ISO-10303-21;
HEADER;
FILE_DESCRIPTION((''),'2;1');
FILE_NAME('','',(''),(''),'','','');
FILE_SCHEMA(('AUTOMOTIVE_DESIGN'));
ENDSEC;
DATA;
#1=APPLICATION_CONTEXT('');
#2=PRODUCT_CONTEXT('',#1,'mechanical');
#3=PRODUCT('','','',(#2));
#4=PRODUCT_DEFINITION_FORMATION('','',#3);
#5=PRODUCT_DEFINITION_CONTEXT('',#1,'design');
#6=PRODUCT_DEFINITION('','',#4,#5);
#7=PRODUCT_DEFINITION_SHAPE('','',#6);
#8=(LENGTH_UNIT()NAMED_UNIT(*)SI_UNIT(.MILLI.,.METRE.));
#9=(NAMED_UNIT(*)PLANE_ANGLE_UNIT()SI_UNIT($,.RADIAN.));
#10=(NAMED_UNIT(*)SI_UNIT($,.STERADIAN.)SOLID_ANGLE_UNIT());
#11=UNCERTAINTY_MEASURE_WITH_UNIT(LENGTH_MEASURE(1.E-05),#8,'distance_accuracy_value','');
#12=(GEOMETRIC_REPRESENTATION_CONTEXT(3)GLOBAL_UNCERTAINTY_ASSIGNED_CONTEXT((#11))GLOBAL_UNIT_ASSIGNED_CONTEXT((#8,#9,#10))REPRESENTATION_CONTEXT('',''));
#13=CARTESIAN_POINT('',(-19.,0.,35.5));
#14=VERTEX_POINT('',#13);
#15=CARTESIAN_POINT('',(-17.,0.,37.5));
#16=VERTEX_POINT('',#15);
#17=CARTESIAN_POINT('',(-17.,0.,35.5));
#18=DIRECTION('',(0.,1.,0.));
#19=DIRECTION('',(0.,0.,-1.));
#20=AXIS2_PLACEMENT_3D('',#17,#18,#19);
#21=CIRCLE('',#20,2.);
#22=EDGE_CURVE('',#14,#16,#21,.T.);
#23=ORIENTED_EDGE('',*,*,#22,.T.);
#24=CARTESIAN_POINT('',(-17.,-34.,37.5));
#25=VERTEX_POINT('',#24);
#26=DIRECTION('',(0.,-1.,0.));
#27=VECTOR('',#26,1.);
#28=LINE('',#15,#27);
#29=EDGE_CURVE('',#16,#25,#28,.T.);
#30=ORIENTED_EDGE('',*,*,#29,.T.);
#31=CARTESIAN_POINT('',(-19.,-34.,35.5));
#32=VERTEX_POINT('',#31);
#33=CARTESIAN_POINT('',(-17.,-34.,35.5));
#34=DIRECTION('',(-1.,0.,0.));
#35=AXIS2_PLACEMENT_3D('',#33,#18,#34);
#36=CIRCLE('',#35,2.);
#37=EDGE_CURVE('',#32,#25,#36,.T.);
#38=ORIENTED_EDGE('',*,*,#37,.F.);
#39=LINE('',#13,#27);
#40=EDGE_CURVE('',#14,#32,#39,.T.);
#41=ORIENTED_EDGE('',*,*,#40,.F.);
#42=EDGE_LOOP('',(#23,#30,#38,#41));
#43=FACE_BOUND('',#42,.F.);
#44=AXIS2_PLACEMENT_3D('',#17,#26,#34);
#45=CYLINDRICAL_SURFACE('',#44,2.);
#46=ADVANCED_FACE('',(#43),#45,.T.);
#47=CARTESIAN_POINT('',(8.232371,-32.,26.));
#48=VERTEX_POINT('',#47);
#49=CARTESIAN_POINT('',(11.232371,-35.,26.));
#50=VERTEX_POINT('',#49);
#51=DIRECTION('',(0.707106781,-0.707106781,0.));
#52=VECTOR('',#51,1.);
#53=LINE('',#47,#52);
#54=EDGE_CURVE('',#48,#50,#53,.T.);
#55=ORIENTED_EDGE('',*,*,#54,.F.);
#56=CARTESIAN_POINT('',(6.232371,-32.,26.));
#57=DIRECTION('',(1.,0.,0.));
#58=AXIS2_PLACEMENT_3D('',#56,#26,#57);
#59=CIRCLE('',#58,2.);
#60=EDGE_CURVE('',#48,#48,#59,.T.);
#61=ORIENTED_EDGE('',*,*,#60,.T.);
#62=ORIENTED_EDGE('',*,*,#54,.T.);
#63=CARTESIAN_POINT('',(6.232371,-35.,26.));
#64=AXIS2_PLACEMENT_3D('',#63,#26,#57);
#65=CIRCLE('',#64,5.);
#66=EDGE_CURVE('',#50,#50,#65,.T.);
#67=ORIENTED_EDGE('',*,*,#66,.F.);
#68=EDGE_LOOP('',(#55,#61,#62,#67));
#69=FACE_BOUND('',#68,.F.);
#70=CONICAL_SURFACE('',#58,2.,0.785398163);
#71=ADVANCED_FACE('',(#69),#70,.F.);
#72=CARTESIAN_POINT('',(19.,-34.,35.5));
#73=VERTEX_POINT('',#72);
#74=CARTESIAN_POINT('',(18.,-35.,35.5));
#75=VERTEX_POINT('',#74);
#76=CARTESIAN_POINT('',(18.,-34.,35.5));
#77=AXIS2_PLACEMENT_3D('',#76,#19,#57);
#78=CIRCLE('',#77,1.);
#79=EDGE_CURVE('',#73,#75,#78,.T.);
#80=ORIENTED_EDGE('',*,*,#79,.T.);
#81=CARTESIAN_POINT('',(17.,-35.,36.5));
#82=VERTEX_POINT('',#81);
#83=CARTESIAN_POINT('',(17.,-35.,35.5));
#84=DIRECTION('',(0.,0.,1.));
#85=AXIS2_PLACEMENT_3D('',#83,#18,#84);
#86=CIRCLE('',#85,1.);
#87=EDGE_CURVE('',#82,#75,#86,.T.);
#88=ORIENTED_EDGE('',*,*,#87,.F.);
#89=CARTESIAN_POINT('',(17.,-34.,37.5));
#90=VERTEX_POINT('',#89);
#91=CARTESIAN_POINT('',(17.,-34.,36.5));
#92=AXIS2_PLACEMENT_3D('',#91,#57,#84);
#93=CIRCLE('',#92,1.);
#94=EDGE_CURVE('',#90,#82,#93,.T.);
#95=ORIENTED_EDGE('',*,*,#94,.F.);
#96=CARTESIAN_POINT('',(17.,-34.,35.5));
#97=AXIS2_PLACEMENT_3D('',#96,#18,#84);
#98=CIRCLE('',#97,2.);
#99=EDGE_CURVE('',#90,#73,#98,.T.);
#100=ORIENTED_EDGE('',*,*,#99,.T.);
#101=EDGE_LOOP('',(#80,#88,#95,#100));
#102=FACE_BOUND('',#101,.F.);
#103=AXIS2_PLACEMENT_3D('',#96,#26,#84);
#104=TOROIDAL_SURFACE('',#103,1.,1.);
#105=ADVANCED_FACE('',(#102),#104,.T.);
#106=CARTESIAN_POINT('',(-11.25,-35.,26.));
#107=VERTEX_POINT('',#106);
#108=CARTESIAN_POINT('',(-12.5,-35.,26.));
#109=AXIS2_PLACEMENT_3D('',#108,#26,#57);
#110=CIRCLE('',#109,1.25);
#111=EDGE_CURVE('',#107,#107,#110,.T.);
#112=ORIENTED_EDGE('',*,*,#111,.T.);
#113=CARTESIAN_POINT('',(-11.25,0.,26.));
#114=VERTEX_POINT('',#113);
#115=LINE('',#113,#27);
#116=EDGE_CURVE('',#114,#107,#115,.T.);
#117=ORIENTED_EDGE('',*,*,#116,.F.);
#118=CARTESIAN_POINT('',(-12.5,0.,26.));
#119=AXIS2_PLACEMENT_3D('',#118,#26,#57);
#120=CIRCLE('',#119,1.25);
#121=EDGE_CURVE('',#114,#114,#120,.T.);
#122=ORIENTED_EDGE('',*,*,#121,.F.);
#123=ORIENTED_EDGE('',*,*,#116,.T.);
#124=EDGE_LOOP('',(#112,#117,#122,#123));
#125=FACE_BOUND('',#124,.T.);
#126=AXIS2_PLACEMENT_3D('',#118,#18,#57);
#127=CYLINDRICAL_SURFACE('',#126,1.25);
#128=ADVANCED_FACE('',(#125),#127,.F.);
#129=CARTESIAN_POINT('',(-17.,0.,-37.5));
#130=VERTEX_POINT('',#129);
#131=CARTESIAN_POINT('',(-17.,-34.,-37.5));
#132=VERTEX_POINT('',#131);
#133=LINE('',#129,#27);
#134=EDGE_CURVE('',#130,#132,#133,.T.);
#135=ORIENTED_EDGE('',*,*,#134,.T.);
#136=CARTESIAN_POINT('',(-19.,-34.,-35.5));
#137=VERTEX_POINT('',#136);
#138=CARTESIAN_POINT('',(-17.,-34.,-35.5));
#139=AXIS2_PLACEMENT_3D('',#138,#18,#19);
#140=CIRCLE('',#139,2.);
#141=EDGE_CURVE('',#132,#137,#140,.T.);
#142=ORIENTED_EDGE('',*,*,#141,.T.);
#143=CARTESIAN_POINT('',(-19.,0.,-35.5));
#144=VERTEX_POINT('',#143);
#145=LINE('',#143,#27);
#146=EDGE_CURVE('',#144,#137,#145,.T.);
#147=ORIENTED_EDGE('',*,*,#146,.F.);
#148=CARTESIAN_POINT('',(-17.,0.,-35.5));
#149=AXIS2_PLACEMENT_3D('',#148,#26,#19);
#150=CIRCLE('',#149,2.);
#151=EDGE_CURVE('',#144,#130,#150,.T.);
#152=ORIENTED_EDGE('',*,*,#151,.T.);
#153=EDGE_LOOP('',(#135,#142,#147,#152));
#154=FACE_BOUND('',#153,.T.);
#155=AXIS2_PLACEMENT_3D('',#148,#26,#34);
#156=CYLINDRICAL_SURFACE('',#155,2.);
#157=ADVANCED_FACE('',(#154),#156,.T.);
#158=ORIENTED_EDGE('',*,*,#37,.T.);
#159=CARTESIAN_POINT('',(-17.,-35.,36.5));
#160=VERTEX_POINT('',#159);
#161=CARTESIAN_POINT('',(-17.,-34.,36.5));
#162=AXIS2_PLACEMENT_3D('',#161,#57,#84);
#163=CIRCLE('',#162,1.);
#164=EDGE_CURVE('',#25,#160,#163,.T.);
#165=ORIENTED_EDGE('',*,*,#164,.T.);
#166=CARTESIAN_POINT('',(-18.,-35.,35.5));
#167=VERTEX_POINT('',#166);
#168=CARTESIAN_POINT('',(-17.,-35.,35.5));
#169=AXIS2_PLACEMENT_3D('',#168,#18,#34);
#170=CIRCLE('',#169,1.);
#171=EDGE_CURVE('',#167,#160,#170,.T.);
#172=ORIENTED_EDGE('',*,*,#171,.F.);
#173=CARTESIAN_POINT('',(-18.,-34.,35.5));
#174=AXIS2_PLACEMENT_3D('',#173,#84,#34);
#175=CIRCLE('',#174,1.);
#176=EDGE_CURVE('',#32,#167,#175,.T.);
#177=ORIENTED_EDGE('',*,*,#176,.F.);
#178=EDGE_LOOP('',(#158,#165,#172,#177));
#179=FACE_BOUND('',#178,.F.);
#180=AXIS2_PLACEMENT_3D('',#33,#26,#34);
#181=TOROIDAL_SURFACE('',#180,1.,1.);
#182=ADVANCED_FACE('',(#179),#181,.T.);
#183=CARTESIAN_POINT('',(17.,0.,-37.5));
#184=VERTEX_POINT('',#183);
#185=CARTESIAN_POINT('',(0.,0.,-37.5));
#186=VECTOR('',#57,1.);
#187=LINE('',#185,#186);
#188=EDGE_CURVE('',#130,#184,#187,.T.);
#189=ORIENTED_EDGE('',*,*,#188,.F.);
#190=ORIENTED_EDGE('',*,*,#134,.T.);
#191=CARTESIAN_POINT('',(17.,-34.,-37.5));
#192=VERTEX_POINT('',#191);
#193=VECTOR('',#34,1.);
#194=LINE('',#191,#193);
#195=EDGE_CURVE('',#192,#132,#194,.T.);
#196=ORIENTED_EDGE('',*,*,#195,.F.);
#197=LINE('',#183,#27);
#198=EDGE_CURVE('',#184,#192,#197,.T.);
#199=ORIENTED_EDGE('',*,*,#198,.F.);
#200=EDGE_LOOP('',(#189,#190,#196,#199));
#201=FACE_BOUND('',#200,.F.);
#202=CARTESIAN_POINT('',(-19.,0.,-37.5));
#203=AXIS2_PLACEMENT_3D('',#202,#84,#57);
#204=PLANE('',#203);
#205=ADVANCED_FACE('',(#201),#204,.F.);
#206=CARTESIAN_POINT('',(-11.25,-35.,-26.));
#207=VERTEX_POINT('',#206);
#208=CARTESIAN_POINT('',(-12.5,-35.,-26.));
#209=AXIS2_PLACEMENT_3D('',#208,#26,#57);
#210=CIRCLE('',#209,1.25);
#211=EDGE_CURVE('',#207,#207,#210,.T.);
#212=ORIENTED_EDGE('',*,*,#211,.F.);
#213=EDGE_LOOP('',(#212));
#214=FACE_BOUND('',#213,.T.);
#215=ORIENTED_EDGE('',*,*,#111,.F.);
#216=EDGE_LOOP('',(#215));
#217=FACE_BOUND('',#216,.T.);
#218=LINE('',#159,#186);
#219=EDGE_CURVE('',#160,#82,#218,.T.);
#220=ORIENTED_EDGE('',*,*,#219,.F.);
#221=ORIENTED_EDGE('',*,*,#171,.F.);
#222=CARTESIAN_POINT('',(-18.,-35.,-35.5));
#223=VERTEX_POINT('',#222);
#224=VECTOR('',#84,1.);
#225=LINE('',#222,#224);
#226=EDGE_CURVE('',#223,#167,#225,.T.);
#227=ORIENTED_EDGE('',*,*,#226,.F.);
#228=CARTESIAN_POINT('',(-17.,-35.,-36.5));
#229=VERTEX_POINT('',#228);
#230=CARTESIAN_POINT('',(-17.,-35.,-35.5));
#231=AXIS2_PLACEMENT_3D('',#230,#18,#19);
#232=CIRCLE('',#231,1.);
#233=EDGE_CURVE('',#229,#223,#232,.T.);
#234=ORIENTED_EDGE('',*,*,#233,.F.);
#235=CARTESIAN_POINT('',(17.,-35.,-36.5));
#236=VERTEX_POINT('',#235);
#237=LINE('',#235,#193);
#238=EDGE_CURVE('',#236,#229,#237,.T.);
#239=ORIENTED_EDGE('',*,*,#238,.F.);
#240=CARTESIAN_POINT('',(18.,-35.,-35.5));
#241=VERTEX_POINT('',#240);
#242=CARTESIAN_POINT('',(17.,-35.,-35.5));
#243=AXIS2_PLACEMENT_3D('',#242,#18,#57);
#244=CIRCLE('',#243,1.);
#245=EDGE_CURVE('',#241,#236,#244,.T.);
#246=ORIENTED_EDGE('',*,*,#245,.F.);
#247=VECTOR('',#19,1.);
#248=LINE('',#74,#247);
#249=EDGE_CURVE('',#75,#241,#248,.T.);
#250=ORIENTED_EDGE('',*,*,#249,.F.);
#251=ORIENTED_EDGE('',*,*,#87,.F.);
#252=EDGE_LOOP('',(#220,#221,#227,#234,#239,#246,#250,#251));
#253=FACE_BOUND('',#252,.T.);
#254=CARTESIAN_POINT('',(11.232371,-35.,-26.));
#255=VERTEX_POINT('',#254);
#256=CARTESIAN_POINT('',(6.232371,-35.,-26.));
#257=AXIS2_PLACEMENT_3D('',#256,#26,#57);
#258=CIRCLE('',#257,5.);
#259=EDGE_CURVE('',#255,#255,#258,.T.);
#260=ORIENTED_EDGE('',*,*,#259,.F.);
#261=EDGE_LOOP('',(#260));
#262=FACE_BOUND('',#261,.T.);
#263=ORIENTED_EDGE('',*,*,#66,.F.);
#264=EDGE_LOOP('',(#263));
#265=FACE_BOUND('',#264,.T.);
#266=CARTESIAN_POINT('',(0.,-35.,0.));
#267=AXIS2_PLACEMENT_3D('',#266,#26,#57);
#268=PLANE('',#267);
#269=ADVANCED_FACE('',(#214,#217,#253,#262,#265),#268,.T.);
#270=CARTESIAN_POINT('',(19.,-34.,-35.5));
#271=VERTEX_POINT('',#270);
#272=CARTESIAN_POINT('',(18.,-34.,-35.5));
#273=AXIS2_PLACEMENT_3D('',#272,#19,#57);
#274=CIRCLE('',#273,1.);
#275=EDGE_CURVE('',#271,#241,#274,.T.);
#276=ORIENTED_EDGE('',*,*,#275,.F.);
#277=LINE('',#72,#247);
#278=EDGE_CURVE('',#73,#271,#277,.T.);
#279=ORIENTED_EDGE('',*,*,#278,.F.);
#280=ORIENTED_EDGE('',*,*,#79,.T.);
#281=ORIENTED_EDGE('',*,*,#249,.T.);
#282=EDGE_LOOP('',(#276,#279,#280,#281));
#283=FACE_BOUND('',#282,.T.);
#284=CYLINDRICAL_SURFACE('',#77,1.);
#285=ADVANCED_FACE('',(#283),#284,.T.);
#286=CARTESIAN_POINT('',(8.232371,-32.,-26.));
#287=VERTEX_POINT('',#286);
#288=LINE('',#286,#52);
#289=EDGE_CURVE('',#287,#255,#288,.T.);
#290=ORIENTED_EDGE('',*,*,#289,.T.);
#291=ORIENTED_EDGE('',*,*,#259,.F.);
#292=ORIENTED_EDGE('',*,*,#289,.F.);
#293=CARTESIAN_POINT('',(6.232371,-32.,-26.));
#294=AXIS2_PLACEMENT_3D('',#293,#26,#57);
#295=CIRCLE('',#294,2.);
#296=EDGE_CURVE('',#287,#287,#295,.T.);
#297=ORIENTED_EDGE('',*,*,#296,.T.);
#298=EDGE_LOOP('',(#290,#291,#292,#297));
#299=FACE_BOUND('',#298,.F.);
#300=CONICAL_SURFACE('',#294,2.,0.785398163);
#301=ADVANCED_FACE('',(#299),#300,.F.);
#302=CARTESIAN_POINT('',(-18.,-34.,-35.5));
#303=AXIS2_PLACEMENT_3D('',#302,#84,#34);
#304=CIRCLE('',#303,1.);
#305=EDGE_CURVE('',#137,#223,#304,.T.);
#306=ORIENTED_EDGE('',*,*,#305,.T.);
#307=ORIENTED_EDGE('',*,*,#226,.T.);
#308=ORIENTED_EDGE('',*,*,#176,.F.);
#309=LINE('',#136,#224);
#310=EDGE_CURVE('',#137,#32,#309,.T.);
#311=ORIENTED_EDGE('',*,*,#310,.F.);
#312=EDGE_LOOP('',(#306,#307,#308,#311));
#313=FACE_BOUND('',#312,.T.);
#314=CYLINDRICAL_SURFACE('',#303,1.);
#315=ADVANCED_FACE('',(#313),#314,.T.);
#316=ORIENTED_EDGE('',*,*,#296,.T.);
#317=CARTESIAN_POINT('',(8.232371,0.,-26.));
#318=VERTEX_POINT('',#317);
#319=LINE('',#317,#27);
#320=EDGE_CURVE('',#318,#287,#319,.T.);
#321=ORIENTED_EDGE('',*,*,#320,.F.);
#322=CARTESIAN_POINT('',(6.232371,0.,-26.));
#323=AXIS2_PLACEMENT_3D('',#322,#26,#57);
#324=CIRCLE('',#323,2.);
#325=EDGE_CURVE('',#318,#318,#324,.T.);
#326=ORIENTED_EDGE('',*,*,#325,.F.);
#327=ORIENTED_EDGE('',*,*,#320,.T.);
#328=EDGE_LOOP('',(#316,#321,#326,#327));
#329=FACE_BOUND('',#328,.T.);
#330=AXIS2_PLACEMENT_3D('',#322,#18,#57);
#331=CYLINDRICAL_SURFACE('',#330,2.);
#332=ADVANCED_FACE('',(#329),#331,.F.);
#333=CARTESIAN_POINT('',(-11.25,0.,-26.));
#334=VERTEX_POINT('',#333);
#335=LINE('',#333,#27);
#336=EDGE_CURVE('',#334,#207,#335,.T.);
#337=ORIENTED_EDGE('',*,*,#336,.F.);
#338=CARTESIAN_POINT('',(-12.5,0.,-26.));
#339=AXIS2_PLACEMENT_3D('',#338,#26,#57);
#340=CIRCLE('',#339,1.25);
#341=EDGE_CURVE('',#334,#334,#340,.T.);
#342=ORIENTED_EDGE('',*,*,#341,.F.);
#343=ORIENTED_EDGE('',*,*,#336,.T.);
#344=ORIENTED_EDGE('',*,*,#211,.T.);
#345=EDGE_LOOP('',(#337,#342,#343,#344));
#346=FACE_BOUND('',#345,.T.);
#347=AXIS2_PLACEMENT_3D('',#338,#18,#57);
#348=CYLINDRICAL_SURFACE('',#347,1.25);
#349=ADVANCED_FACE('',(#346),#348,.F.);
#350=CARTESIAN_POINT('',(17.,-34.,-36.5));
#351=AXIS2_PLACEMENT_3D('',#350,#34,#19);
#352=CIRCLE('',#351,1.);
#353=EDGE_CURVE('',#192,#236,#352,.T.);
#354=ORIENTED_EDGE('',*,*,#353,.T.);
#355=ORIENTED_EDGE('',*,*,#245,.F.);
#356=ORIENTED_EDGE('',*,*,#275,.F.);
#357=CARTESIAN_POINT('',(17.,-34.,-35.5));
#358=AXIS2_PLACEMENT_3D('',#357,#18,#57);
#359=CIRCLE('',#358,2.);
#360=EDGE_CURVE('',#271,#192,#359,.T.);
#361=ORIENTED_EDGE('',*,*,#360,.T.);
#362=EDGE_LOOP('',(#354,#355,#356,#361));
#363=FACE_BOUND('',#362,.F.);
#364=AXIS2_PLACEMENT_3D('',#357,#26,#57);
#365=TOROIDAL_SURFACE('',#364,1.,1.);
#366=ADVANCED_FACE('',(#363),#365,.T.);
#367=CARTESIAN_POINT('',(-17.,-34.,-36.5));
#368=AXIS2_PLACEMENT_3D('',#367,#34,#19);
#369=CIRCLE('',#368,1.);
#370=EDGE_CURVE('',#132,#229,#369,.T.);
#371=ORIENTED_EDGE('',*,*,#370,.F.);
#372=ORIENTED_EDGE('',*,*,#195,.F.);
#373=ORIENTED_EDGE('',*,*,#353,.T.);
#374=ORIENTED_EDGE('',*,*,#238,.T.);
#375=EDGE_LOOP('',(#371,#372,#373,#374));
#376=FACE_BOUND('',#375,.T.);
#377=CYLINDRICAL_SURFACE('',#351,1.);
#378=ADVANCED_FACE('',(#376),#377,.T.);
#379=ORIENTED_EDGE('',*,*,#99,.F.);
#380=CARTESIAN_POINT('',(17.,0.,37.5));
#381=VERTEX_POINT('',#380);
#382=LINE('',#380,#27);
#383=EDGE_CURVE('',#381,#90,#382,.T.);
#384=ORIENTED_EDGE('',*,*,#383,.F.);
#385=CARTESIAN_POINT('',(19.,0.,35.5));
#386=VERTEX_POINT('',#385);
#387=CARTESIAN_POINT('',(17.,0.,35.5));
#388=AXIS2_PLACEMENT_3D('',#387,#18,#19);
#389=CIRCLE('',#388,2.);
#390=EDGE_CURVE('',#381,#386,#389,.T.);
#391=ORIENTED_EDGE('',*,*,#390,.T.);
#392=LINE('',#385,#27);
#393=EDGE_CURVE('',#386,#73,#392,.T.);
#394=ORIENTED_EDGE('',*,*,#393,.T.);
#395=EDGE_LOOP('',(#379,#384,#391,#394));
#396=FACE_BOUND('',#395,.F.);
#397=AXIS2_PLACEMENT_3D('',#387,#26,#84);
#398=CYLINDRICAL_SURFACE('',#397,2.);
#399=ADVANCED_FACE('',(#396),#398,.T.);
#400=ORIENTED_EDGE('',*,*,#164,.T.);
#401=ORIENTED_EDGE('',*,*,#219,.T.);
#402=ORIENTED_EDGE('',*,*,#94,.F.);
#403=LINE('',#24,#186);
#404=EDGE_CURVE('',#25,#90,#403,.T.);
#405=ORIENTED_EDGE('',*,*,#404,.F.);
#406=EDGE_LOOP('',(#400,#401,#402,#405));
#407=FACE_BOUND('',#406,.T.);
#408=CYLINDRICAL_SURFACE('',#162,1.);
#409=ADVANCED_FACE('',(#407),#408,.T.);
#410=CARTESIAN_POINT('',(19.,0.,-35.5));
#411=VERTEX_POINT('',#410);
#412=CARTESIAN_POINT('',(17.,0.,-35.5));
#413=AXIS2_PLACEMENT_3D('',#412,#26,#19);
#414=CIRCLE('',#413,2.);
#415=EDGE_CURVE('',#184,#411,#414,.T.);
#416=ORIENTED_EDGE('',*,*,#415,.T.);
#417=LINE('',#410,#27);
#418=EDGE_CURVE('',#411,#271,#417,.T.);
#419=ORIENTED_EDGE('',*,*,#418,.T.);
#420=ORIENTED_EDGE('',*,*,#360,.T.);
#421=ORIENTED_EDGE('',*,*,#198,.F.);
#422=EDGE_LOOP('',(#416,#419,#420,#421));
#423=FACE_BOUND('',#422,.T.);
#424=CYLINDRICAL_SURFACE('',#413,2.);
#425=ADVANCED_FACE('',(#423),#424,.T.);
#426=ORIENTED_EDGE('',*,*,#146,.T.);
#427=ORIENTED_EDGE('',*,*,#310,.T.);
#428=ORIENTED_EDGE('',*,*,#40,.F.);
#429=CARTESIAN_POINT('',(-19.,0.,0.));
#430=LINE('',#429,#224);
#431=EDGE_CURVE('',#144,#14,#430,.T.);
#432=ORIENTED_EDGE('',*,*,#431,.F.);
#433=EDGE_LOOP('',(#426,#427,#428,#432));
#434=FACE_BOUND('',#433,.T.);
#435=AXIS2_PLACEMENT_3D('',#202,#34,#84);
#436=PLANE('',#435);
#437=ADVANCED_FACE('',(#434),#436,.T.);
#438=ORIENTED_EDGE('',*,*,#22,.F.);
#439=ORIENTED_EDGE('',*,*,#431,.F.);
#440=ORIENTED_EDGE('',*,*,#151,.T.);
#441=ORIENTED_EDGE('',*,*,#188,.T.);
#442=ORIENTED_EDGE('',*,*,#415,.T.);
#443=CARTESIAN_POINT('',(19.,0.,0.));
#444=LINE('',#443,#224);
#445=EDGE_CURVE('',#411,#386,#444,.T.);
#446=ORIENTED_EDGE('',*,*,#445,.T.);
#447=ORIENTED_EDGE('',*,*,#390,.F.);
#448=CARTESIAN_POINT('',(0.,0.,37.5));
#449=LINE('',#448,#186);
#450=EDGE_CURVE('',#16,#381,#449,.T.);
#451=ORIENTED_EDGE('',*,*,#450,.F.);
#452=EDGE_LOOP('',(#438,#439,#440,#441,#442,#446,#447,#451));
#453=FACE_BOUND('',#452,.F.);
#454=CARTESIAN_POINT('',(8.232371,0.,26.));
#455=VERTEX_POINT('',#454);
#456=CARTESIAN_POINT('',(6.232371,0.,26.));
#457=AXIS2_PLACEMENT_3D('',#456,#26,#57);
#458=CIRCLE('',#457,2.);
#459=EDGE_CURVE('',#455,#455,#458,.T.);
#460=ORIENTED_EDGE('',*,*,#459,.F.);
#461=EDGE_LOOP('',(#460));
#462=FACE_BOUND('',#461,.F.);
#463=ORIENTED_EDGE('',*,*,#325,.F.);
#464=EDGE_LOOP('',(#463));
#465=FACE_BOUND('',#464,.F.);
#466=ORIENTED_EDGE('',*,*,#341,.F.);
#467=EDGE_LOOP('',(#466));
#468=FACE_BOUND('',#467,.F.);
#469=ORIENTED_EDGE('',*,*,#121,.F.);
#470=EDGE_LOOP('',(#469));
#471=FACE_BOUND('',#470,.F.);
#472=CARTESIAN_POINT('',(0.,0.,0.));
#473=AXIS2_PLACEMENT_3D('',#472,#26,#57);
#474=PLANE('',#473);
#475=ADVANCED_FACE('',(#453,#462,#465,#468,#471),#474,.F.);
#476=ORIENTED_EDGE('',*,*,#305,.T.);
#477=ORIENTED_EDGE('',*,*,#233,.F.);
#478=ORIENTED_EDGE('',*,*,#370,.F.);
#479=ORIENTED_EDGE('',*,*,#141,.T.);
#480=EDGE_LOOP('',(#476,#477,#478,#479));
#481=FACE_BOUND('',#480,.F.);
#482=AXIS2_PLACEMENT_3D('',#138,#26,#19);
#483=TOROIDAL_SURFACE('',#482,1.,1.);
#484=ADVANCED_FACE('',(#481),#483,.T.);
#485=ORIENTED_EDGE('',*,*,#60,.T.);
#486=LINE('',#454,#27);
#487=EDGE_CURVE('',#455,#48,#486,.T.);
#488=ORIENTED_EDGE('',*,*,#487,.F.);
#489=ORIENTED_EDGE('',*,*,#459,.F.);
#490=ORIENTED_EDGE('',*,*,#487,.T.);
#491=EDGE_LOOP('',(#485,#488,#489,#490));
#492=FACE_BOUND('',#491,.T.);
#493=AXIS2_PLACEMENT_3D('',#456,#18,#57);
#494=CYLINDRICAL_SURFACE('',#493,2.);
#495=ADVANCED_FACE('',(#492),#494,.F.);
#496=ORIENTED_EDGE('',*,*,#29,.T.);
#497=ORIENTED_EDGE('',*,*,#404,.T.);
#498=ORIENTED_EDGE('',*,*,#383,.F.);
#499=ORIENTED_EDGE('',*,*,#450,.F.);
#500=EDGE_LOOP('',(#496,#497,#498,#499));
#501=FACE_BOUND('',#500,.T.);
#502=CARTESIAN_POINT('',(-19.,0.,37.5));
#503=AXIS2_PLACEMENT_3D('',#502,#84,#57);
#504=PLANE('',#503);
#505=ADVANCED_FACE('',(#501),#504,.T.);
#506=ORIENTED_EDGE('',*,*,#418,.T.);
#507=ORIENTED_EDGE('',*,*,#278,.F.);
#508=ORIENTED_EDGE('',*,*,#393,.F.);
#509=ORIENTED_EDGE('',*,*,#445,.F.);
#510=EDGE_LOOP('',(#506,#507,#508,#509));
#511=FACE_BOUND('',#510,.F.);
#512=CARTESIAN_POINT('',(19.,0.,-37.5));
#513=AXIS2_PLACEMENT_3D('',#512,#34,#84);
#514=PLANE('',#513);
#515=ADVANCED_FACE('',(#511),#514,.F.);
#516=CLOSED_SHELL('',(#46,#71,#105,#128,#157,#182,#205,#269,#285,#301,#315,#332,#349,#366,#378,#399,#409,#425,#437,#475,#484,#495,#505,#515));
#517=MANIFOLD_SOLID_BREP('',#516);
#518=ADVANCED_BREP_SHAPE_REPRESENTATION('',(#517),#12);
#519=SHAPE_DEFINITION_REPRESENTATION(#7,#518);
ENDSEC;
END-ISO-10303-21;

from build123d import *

# Parameters (mm, degrees)
F0_W     = 38
F0_H     = 75
F0_R     = 1.25
F0_R_2   = 2
F1_DEPTH = 35
F2_SIZE2 = 3
F2_SIZE  = 3
F3_R     = 2
F4_R     = 1


with BuildPart() as f1:
    # F0 (on Front) → F1 (new body)
    with BuildSketch(Plane.XZ):
        Rectangle(F0_W, F0_H)
        with Locations((-12.5, -26)):
            Circle(F0_R, mode=Mode.SUBTRACT)
        with Locations((6.232371, -26)):
            Circle(F0_R_2, mode=Mode.SUBTRACT)
        with Locations((-12.5, 26)):
            Circle(F0_R, mode=Mode.SUBTRACT)
        with Locations((6.232371, 26)):
            Circle(F0_R_2, mode=Mode.SUBTRACT)
    extrude(amount=F1_DEPTH)

    # F2
    f2_edges = [f1.edges().sort_by_distance(p)[0] for p in [
        (4.232371, -35, 26),
        (4.232371, -35, -26),
    ]]
    chamfer(f2_edges, length=F2_SIZE, length2=F2_SIZE2)

    # F3
    f3_edges = [f1.edges().sort_by_distance(p)[0] for p in [
        (-19, -17.5, 37.5),
        (-19, -17.5, -37.5),
        (19, -17.5, -37.5),
        (19, -17.5, 37.5),
    ]]
    fillet(f3_edges, radius=F3_R)

    # F4
    f4_edges = [f1.edges().sort_by_distance(p)[0] for p in [
        (-19, -35, 0),
    ]]
    fillet(f4_edges, radius=F4_R)


solid = f1.part
